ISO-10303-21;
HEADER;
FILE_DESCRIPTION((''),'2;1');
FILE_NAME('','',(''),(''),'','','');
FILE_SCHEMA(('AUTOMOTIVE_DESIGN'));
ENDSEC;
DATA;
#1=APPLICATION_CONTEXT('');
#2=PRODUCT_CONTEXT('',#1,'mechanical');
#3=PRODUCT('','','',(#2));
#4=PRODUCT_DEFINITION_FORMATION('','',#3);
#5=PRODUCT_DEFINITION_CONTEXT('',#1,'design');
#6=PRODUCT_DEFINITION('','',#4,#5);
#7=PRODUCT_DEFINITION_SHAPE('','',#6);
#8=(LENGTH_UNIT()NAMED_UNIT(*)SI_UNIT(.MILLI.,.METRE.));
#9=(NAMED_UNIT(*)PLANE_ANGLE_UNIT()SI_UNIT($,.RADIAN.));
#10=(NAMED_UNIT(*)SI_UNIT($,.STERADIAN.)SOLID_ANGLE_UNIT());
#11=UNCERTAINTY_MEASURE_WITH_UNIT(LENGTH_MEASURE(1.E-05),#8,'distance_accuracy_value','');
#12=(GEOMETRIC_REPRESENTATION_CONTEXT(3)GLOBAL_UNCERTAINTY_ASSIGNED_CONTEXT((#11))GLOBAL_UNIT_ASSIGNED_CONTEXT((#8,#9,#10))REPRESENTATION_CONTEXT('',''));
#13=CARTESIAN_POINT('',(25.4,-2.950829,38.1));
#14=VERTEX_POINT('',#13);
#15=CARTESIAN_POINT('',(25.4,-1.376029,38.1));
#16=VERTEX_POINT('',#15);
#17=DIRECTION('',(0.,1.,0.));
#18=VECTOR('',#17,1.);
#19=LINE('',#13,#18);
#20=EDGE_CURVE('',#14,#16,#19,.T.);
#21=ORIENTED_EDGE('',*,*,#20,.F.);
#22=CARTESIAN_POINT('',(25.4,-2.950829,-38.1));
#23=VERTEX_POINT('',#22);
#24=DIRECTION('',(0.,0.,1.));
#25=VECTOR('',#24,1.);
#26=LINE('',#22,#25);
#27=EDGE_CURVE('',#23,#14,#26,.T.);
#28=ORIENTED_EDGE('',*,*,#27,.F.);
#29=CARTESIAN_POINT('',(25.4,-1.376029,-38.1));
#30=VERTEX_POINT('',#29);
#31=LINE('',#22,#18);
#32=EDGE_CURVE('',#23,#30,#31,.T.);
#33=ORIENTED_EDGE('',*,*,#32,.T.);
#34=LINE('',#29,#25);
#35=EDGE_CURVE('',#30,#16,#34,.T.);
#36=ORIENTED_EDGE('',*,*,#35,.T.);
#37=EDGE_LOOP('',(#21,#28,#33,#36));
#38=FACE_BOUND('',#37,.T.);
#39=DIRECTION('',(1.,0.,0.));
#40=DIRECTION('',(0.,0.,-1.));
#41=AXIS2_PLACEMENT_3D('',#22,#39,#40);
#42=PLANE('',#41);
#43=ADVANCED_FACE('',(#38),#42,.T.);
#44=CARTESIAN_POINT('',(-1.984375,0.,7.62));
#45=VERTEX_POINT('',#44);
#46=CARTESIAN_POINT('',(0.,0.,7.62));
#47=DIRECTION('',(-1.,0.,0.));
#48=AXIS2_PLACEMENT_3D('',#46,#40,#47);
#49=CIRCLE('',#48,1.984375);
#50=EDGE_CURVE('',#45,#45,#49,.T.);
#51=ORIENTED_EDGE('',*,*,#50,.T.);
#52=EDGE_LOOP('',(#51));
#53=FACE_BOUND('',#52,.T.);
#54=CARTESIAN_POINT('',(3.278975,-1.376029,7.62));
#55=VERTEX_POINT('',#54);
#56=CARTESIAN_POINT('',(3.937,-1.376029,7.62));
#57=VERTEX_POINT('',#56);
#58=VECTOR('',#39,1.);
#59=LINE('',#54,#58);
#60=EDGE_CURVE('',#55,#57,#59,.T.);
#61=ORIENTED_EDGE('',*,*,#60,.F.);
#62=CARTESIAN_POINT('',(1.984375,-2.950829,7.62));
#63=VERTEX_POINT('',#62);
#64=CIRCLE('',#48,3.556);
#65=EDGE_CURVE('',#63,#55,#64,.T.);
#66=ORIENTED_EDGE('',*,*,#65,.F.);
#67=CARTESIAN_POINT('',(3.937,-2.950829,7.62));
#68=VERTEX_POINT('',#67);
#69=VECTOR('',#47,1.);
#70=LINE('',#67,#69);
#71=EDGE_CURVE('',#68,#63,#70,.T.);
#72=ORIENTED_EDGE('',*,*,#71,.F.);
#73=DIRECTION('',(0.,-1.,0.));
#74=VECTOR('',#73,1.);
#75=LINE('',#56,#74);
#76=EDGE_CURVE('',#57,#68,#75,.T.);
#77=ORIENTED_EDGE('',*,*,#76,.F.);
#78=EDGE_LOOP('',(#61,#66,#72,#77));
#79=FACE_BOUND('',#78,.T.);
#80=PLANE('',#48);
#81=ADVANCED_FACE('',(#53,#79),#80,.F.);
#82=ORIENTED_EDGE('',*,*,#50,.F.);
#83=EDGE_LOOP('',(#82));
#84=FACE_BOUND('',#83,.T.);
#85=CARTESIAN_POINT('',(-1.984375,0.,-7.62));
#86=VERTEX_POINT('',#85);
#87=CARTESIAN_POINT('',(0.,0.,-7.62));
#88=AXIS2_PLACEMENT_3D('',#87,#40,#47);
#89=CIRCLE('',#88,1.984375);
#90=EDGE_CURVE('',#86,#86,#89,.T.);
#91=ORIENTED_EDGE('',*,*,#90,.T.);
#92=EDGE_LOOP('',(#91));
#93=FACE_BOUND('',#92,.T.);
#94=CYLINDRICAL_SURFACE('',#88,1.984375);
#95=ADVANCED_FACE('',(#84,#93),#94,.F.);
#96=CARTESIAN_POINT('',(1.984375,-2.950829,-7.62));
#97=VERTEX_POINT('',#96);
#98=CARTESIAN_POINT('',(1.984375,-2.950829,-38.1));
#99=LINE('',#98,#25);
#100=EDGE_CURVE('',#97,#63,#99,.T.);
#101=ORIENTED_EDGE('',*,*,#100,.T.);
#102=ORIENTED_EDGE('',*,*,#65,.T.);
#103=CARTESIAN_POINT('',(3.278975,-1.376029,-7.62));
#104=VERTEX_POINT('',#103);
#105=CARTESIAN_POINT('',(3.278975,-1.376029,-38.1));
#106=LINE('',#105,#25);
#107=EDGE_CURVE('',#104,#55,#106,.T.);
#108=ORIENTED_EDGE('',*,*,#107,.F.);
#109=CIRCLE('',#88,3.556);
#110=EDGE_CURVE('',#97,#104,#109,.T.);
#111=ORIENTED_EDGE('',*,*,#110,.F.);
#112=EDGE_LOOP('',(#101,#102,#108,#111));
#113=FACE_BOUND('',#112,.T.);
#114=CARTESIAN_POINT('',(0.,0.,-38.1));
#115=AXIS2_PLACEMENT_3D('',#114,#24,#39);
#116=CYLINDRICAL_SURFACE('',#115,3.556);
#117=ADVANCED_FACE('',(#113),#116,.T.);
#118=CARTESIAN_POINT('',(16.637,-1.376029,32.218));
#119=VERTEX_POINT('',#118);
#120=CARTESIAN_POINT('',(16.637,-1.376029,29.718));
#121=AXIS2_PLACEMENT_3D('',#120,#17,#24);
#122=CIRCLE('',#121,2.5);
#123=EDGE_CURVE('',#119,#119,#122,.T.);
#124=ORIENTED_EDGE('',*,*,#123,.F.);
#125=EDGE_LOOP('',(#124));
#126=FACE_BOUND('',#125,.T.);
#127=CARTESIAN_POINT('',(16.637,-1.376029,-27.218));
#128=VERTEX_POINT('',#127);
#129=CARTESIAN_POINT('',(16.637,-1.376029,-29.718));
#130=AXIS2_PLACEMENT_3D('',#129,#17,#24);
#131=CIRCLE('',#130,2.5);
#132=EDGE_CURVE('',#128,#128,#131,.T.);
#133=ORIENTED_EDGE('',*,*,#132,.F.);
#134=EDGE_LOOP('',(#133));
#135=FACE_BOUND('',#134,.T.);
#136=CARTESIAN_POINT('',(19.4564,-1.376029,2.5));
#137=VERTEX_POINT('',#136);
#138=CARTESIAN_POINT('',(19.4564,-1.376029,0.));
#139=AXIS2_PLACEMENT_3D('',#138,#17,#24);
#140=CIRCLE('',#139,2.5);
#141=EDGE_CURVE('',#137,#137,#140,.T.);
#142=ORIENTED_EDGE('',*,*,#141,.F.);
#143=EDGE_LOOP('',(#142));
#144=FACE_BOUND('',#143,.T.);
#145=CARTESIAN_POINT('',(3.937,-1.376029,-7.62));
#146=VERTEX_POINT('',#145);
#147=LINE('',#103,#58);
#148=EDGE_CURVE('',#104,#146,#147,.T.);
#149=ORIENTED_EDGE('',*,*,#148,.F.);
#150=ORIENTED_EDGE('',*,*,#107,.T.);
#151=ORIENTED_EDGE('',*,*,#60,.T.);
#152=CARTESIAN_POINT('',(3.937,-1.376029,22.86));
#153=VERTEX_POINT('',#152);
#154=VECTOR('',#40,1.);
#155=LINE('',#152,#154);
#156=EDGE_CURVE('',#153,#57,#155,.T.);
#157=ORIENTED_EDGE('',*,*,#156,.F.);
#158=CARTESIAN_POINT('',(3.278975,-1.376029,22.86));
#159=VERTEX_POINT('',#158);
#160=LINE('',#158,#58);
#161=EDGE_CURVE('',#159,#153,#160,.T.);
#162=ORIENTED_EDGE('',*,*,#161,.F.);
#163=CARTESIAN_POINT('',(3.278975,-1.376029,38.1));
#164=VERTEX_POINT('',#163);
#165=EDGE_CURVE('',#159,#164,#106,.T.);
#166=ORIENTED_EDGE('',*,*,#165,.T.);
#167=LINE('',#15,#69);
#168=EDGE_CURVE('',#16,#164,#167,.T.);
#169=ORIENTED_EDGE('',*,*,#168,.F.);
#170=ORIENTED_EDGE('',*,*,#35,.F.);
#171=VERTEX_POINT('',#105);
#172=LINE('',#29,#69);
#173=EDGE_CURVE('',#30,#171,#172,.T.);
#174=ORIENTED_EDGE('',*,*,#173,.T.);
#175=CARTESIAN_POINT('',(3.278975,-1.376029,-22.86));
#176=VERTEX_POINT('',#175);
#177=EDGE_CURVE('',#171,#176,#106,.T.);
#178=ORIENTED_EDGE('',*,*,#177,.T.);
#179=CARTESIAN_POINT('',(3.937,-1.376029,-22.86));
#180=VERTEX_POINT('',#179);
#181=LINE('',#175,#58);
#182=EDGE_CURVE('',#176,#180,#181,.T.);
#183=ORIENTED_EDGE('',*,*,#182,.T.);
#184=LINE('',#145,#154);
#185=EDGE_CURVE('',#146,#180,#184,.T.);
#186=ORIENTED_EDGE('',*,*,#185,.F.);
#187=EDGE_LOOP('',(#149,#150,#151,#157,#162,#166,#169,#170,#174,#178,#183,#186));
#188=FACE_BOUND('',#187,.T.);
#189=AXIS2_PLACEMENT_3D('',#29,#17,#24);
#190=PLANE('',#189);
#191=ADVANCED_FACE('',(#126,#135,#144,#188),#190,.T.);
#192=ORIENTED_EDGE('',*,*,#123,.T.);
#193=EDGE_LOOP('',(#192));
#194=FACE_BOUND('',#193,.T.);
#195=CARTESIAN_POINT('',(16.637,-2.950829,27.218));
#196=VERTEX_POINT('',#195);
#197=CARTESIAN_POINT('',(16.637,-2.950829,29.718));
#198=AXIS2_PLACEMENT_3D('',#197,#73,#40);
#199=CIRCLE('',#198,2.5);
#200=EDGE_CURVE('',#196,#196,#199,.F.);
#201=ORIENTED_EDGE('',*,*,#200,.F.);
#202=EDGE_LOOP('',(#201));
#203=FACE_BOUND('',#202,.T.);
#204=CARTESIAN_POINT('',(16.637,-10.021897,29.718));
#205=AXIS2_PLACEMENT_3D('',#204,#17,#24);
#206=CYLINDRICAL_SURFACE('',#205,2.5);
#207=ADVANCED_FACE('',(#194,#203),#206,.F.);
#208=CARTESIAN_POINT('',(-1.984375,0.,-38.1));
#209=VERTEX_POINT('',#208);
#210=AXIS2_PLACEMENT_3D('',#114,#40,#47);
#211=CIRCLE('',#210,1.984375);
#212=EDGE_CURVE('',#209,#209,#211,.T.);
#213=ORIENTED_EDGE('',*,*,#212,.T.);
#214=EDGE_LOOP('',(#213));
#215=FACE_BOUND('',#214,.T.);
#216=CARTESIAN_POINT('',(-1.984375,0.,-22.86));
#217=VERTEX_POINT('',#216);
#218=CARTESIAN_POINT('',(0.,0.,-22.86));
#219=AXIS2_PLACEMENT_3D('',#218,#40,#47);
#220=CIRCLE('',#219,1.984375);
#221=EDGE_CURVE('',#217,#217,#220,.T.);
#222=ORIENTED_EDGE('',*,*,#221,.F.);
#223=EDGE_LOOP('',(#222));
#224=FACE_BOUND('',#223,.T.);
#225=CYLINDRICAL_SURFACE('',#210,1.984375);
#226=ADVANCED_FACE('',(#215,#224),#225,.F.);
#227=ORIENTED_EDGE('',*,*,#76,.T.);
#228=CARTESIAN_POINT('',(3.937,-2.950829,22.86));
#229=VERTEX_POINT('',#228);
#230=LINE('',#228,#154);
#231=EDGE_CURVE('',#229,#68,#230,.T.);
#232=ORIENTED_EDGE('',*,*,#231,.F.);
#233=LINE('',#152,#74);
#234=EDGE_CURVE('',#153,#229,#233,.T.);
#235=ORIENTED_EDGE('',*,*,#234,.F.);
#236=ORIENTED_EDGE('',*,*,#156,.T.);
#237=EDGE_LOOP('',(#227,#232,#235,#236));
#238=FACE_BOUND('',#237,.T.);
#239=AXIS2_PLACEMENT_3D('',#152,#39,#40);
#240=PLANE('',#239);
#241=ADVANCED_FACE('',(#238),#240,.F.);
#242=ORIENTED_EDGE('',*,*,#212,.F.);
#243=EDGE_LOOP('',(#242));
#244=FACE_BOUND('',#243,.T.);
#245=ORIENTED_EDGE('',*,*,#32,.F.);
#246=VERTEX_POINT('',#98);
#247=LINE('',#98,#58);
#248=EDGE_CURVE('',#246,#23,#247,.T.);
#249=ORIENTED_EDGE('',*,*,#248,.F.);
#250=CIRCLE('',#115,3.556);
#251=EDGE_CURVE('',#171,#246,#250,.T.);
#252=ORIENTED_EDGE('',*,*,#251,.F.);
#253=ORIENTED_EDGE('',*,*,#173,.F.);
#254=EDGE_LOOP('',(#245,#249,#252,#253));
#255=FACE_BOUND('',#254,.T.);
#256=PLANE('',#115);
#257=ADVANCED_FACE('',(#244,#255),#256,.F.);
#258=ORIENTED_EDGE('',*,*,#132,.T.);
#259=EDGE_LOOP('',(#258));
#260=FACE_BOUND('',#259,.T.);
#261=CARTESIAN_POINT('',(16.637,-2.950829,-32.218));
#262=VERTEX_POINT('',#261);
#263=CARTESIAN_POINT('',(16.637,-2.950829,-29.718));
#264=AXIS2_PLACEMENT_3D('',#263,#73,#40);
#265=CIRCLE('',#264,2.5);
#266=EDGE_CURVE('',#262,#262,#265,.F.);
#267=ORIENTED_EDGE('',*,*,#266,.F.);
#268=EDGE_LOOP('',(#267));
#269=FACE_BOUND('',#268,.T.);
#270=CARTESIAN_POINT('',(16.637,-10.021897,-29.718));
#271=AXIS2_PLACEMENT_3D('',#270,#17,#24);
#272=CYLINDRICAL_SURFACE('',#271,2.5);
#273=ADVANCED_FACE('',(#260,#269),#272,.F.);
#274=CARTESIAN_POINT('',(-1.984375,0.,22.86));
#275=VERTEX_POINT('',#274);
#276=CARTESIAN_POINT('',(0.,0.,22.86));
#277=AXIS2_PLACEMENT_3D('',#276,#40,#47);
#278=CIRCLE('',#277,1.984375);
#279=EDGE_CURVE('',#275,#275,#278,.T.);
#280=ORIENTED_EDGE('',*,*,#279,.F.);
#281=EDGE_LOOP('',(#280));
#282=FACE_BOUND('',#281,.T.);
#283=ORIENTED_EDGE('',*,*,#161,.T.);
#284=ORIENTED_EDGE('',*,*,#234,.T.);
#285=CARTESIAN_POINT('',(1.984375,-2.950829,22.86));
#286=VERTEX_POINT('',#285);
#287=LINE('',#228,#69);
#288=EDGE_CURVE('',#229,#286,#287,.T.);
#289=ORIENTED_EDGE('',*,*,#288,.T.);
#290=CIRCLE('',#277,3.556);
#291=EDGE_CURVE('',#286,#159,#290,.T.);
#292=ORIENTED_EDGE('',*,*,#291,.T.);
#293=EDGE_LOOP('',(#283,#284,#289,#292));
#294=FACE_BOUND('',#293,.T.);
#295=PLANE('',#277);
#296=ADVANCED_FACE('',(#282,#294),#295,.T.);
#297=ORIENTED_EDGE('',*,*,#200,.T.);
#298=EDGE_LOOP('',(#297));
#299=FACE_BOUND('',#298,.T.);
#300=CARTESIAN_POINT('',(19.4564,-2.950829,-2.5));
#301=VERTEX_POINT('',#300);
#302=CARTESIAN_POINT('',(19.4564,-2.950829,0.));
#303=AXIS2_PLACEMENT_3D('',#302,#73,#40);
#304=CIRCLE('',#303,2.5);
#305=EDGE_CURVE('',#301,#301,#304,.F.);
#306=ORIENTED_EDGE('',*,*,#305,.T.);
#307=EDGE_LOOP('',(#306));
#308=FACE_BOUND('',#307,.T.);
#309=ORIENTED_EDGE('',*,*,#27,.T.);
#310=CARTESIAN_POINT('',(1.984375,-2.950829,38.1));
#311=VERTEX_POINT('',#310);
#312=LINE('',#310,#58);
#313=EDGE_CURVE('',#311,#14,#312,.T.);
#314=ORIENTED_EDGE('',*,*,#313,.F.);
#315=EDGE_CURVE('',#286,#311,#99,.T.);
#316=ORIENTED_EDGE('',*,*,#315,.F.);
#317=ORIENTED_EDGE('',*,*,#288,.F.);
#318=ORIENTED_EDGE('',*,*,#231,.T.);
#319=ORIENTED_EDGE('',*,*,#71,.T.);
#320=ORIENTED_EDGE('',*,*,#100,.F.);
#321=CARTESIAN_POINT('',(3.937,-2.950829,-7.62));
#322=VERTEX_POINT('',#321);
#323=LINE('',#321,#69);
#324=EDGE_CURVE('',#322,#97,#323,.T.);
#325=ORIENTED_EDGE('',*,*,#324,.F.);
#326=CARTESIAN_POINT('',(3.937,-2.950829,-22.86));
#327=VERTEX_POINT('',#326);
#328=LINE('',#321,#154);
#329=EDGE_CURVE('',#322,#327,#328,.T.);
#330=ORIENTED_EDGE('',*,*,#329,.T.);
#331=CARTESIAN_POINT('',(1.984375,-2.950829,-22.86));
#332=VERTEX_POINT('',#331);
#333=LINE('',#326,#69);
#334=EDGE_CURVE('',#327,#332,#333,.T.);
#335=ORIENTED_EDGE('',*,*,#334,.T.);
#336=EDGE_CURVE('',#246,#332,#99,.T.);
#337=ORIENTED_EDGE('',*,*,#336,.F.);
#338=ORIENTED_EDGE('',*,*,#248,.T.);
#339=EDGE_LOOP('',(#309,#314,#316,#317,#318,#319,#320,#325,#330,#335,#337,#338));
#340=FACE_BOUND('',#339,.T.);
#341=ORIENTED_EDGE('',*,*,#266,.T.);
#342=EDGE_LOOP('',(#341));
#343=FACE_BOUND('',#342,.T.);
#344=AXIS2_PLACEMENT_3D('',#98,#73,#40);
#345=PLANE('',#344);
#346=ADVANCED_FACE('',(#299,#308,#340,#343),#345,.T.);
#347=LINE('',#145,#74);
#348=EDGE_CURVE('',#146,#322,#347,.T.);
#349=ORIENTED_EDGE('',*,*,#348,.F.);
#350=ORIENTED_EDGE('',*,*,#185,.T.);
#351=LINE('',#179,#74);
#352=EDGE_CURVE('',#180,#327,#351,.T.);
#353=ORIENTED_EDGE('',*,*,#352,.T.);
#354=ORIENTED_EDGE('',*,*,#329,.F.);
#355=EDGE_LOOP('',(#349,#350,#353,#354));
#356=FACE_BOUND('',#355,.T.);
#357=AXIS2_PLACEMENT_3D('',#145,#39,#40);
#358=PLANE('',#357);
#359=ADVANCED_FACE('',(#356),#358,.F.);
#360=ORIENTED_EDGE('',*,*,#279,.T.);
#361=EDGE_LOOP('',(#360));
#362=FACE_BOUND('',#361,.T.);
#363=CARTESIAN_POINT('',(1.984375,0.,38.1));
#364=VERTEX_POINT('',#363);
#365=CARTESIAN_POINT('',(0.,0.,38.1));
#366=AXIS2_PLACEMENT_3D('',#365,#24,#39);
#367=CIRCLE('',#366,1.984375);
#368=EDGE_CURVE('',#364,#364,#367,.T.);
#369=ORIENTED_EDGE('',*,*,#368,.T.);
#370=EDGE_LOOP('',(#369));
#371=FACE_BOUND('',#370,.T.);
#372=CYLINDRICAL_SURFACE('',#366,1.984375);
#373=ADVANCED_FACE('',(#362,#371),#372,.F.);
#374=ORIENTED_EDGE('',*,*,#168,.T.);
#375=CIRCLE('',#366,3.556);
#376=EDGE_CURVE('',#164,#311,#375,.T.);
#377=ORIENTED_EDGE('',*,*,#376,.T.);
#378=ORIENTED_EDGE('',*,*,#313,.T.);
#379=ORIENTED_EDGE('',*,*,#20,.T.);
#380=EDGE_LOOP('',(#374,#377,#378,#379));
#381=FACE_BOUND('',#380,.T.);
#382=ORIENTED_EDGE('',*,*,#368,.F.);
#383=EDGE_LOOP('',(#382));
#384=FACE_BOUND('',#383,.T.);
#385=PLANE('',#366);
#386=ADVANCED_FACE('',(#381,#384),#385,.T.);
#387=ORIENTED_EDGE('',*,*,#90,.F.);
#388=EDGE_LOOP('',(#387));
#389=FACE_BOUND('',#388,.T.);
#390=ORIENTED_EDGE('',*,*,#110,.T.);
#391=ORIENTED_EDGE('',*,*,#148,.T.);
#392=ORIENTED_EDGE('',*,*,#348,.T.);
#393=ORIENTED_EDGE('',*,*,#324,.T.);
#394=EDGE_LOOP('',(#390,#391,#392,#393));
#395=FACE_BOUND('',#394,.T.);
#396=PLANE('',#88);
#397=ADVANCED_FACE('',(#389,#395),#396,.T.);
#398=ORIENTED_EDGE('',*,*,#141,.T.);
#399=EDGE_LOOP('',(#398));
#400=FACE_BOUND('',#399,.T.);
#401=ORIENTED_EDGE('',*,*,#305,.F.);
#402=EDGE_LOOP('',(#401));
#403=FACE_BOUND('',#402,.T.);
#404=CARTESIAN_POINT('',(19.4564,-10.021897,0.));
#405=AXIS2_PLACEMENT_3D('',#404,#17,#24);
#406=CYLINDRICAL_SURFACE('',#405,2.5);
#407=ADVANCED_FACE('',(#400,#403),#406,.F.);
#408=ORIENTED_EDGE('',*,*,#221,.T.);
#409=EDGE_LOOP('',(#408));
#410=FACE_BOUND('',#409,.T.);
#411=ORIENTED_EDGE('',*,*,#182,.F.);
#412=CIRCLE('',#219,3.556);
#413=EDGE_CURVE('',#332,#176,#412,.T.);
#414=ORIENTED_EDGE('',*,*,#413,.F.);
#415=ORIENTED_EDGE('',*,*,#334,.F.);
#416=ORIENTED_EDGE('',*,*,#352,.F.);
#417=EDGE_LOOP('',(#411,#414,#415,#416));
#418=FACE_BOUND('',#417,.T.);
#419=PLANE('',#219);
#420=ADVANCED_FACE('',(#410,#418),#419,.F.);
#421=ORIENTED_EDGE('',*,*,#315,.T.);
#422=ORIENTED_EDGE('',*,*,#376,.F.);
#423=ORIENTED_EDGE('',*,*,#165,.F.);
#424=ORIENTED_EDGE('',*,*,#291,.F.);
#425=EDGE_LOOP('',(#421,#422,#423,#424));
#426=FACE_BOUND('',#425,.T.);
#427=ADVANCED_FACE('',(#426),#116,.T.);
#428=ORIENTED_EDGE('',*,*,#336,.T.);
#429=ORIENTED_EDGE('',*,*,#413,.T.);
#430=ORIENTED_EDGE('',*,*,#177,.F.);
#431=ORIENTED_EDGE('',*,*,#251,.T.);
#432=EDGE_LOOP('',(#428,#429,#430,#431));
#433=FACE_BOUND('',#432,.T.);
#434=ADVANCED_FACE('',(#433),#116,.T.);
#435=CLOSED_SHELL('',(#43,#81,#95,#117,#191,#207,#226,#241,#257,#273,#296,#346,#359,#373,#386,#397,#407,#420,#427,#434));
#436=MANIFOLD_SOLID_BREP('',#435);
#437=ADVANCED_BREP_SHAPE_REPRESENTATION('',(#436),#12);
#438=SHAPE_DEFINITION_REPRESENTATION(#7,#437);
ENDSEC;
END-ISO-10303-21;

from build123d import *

# Parameters (mm, degrees)
BOSS_EXTRUDE1_DEPTH                            = 76.2
CUT_EXTRUDE1_DEPTH                             = 15.24
CUT_EXTRUDE2_DEPTH                             = 15.24
CSK_FOR_M3_FLAT_HEAD_MACHINE_SCREW1_AT_2_COUNT = 2
CSK_FOR_M3_FLAT_HEAD_MACHINE_SCREW1_AT_2_PITCH = 59.436
CSK_FOR_M3_FLAT_HEAD_MACHINE_SCREW1_AT_3_COUNT = 2
CSK_FOR_M3_FLAT_HEAD_MACHINE_SCREW1_AT_3_PITCH = 29.851441177
M3_5_CLEARANCE_HOLE1_D                         = 3.96875
M3_5_CLEARANCE_HOLE1_DEPTH                     = 15.24
M3_5_CLEARANCE_HOLE2_D                         = 3.96875
M3_5_CLEARANCE_HOLE2_DEPTH                     = 15.24
M3_5_CLEARANCE_HOLE3_D                         = 3.96875
M3_5_CLEARANCE_HOLE3_DEPTH                     = 45.72
SKETCH21_R                                     = 2.5
CUT_EXTRUDE3_DEPTH                             = 1.5748


with BuildPart() as part:
    # Sketch1 → Boss-Extrude1 (new body)
    with BuildSketch(Plane.XY.offset(38.1)):
        with BuildLine():
            Line((25.4, -2.950829012), (25.4, -1.376029012))
            Line((25.4, -1.376029012), (3.278975474, -1.376029012))
            ThreePointArc((3.278975474, -1.376029012), (-2.746946179, 2.258190135), (1.984375, -2.950829012))
            Line((1.984375, -2.950829012), (25.4, -2.950829012))
        make_face()
    extrude(amount=-BOSS_EXTRUDE1_DEPTH)

    # Sketch6 → Cut-Extrude1 (cut)
    with BuildSketch(Plane(origin=(0, 0, -22.86), x_dir=(-1, 0, 0), z_dir=(0, 0, -1))):
        with BuildLine():
            Line((-3.937, -1.376029012), (-3.937, -2.950829012))
            Line((-3.937, -2.950829012), (-1.984375, -2.950829012))
            ThreePointArc((-1.984375, -2.950829012), (2.746946179, 2.258190135), (-3.278975474, -1.376029012))
            Line((-3.278975474, -1.376029012), (-3.937, -1.376029012))
        make_face()
    extrude(amount=-CUT_EXTRUDE1_DEPTH, mode=Mode.SUBTRACT)

    # Sketch12 → Cut-Extrude2 (cut)
    with BuildSketch(Plane(origin=(0, 0, 7.62), x_dir=(-1, 0, 0), z_dir=(0, 0, -1))):
        with BuildLine():
            Line((-3.937, -1.376029012), (-3.937, -2.950829012))
            Line((-3.937, -2.950829012), (-1.984375, -2.950829012))
            ThreePointArc((-1.984375, -2.950829012), (2.746946179, 2.258190135), (-3.278975474, -1.376029012))
            Line((-3.278975474, -1.376029012), (-3.937, -1.376029012))
        make_face()
    extrude(amount=-CUT_EXTRUDE2_DEPTH, mode=Mode.SUBTRACT)

    # Sketch13 → CSK for M3 Flat Head Machine Screw1 (revolve, cut)
    with BuildSketch(Plane(origin=(16.637, -1.376029012, -29.718), x_dir=(0, 0, 1), z_dir=(1, 0, 0))):
        Polygon((0, 0), (0, 2.179970988), (1.7526, 2.179970988), (1.7526, 0.7874), (2.437076377, 0), align=None)
    csk_for_m3_flat_head_machine_screw1 = revolve(axis=Axis((16.637, 4.973970988, -29.718), (0, -1, 0)), mode=Mode.SUBTRACT)

    # CSK for M3 Flat Head Machine Screw1 at 2: CSK for M3 Flat Head Machine Screw1 ×2
    with Locations(*[(0, 0, i * CSK_FOR_M3_FLAT_HEAD_MACHINE_SCREW1_AT_2_PITCH) for i in range(1, CSK_FOR_M3_FLAT_HEAD_MACHINE_SCREW1_AT_2_COUNT)]):
        add(csk_for_m3_flat_head_machine_screw1, mode=Mode.SUBTRACT)

    # CSK for M3 Flat Head Machine Screw1 at 3: CSK for M3 Flat Head Machine Screw1 ×2
    with Locations(*[Vector(0.094447701, 0, 0.995529825) * (i * CSK_FOR_M3_FLAT_HEAD_MACHINE_SCREW1_AT_3_PITCH) for i in range(1, CSK_FOR_M3_FLAT_HEAD_MACHINE_SCREW1_AT_3_COUNT)]):
        add(csk_for_m3_flat_head_machine_screw1, mode=Mode.SUBTRACT)

    # M3.5 Clearance Hole1
    with Locations(Plane.XY.offset(38.1)):
        with Locations((0, 0)):
            Hole(M3_5_CLEARANCE_HOLE1_D / 2, depth=M3_5_CLEARANCE_HOLE1_DEPTH)

    # M3.5 Clearance Hole2
    with Locations(Plane(origin=(0, 0, -38.1), x_dir=(-1, 0, 0), z_dir=(0, 0, -1))):
        with Locations((0, 0)):
            Hole(M3_5_CLEARANCE_HOLE2_D / 2, depth=M3_5_CLEARANCE_HOLE2_DEPTH)

    # M3.5 Clearance Hole3
    with Locations(Plane(origin=(0, 0, -7.62), x_dir=(-1, 0, 0), z_dir=(0, 0, -1))):
        with Locations((0, 0)):
            Hole(M3_5_CLEARANCE_HOLE3_D / 2, depth=M3_5_CLEARANCE_HOLE3_DEPTH)

    # Sketch21 → Cut-Extrude3 (cut)
    with BuildSketch(Plane(origin=(0, -1.376029012, 0), x_dir=(1, 0, 0), z_dir=(0, 1, 0))):
        with Locations((16.637, 29.718)):
            Circle(SKETCH21_R)
        with Locations((19.4564, 0)):
            Circle(SKETCH21_R)
        with Locations((16.637, -29.718)):
            Circle(SKETCH21_R)
    extrude(amount=-CUT_EXTRUDE3_DEPTH, mode=Mode.SUBTRACT)


solid = part.part
